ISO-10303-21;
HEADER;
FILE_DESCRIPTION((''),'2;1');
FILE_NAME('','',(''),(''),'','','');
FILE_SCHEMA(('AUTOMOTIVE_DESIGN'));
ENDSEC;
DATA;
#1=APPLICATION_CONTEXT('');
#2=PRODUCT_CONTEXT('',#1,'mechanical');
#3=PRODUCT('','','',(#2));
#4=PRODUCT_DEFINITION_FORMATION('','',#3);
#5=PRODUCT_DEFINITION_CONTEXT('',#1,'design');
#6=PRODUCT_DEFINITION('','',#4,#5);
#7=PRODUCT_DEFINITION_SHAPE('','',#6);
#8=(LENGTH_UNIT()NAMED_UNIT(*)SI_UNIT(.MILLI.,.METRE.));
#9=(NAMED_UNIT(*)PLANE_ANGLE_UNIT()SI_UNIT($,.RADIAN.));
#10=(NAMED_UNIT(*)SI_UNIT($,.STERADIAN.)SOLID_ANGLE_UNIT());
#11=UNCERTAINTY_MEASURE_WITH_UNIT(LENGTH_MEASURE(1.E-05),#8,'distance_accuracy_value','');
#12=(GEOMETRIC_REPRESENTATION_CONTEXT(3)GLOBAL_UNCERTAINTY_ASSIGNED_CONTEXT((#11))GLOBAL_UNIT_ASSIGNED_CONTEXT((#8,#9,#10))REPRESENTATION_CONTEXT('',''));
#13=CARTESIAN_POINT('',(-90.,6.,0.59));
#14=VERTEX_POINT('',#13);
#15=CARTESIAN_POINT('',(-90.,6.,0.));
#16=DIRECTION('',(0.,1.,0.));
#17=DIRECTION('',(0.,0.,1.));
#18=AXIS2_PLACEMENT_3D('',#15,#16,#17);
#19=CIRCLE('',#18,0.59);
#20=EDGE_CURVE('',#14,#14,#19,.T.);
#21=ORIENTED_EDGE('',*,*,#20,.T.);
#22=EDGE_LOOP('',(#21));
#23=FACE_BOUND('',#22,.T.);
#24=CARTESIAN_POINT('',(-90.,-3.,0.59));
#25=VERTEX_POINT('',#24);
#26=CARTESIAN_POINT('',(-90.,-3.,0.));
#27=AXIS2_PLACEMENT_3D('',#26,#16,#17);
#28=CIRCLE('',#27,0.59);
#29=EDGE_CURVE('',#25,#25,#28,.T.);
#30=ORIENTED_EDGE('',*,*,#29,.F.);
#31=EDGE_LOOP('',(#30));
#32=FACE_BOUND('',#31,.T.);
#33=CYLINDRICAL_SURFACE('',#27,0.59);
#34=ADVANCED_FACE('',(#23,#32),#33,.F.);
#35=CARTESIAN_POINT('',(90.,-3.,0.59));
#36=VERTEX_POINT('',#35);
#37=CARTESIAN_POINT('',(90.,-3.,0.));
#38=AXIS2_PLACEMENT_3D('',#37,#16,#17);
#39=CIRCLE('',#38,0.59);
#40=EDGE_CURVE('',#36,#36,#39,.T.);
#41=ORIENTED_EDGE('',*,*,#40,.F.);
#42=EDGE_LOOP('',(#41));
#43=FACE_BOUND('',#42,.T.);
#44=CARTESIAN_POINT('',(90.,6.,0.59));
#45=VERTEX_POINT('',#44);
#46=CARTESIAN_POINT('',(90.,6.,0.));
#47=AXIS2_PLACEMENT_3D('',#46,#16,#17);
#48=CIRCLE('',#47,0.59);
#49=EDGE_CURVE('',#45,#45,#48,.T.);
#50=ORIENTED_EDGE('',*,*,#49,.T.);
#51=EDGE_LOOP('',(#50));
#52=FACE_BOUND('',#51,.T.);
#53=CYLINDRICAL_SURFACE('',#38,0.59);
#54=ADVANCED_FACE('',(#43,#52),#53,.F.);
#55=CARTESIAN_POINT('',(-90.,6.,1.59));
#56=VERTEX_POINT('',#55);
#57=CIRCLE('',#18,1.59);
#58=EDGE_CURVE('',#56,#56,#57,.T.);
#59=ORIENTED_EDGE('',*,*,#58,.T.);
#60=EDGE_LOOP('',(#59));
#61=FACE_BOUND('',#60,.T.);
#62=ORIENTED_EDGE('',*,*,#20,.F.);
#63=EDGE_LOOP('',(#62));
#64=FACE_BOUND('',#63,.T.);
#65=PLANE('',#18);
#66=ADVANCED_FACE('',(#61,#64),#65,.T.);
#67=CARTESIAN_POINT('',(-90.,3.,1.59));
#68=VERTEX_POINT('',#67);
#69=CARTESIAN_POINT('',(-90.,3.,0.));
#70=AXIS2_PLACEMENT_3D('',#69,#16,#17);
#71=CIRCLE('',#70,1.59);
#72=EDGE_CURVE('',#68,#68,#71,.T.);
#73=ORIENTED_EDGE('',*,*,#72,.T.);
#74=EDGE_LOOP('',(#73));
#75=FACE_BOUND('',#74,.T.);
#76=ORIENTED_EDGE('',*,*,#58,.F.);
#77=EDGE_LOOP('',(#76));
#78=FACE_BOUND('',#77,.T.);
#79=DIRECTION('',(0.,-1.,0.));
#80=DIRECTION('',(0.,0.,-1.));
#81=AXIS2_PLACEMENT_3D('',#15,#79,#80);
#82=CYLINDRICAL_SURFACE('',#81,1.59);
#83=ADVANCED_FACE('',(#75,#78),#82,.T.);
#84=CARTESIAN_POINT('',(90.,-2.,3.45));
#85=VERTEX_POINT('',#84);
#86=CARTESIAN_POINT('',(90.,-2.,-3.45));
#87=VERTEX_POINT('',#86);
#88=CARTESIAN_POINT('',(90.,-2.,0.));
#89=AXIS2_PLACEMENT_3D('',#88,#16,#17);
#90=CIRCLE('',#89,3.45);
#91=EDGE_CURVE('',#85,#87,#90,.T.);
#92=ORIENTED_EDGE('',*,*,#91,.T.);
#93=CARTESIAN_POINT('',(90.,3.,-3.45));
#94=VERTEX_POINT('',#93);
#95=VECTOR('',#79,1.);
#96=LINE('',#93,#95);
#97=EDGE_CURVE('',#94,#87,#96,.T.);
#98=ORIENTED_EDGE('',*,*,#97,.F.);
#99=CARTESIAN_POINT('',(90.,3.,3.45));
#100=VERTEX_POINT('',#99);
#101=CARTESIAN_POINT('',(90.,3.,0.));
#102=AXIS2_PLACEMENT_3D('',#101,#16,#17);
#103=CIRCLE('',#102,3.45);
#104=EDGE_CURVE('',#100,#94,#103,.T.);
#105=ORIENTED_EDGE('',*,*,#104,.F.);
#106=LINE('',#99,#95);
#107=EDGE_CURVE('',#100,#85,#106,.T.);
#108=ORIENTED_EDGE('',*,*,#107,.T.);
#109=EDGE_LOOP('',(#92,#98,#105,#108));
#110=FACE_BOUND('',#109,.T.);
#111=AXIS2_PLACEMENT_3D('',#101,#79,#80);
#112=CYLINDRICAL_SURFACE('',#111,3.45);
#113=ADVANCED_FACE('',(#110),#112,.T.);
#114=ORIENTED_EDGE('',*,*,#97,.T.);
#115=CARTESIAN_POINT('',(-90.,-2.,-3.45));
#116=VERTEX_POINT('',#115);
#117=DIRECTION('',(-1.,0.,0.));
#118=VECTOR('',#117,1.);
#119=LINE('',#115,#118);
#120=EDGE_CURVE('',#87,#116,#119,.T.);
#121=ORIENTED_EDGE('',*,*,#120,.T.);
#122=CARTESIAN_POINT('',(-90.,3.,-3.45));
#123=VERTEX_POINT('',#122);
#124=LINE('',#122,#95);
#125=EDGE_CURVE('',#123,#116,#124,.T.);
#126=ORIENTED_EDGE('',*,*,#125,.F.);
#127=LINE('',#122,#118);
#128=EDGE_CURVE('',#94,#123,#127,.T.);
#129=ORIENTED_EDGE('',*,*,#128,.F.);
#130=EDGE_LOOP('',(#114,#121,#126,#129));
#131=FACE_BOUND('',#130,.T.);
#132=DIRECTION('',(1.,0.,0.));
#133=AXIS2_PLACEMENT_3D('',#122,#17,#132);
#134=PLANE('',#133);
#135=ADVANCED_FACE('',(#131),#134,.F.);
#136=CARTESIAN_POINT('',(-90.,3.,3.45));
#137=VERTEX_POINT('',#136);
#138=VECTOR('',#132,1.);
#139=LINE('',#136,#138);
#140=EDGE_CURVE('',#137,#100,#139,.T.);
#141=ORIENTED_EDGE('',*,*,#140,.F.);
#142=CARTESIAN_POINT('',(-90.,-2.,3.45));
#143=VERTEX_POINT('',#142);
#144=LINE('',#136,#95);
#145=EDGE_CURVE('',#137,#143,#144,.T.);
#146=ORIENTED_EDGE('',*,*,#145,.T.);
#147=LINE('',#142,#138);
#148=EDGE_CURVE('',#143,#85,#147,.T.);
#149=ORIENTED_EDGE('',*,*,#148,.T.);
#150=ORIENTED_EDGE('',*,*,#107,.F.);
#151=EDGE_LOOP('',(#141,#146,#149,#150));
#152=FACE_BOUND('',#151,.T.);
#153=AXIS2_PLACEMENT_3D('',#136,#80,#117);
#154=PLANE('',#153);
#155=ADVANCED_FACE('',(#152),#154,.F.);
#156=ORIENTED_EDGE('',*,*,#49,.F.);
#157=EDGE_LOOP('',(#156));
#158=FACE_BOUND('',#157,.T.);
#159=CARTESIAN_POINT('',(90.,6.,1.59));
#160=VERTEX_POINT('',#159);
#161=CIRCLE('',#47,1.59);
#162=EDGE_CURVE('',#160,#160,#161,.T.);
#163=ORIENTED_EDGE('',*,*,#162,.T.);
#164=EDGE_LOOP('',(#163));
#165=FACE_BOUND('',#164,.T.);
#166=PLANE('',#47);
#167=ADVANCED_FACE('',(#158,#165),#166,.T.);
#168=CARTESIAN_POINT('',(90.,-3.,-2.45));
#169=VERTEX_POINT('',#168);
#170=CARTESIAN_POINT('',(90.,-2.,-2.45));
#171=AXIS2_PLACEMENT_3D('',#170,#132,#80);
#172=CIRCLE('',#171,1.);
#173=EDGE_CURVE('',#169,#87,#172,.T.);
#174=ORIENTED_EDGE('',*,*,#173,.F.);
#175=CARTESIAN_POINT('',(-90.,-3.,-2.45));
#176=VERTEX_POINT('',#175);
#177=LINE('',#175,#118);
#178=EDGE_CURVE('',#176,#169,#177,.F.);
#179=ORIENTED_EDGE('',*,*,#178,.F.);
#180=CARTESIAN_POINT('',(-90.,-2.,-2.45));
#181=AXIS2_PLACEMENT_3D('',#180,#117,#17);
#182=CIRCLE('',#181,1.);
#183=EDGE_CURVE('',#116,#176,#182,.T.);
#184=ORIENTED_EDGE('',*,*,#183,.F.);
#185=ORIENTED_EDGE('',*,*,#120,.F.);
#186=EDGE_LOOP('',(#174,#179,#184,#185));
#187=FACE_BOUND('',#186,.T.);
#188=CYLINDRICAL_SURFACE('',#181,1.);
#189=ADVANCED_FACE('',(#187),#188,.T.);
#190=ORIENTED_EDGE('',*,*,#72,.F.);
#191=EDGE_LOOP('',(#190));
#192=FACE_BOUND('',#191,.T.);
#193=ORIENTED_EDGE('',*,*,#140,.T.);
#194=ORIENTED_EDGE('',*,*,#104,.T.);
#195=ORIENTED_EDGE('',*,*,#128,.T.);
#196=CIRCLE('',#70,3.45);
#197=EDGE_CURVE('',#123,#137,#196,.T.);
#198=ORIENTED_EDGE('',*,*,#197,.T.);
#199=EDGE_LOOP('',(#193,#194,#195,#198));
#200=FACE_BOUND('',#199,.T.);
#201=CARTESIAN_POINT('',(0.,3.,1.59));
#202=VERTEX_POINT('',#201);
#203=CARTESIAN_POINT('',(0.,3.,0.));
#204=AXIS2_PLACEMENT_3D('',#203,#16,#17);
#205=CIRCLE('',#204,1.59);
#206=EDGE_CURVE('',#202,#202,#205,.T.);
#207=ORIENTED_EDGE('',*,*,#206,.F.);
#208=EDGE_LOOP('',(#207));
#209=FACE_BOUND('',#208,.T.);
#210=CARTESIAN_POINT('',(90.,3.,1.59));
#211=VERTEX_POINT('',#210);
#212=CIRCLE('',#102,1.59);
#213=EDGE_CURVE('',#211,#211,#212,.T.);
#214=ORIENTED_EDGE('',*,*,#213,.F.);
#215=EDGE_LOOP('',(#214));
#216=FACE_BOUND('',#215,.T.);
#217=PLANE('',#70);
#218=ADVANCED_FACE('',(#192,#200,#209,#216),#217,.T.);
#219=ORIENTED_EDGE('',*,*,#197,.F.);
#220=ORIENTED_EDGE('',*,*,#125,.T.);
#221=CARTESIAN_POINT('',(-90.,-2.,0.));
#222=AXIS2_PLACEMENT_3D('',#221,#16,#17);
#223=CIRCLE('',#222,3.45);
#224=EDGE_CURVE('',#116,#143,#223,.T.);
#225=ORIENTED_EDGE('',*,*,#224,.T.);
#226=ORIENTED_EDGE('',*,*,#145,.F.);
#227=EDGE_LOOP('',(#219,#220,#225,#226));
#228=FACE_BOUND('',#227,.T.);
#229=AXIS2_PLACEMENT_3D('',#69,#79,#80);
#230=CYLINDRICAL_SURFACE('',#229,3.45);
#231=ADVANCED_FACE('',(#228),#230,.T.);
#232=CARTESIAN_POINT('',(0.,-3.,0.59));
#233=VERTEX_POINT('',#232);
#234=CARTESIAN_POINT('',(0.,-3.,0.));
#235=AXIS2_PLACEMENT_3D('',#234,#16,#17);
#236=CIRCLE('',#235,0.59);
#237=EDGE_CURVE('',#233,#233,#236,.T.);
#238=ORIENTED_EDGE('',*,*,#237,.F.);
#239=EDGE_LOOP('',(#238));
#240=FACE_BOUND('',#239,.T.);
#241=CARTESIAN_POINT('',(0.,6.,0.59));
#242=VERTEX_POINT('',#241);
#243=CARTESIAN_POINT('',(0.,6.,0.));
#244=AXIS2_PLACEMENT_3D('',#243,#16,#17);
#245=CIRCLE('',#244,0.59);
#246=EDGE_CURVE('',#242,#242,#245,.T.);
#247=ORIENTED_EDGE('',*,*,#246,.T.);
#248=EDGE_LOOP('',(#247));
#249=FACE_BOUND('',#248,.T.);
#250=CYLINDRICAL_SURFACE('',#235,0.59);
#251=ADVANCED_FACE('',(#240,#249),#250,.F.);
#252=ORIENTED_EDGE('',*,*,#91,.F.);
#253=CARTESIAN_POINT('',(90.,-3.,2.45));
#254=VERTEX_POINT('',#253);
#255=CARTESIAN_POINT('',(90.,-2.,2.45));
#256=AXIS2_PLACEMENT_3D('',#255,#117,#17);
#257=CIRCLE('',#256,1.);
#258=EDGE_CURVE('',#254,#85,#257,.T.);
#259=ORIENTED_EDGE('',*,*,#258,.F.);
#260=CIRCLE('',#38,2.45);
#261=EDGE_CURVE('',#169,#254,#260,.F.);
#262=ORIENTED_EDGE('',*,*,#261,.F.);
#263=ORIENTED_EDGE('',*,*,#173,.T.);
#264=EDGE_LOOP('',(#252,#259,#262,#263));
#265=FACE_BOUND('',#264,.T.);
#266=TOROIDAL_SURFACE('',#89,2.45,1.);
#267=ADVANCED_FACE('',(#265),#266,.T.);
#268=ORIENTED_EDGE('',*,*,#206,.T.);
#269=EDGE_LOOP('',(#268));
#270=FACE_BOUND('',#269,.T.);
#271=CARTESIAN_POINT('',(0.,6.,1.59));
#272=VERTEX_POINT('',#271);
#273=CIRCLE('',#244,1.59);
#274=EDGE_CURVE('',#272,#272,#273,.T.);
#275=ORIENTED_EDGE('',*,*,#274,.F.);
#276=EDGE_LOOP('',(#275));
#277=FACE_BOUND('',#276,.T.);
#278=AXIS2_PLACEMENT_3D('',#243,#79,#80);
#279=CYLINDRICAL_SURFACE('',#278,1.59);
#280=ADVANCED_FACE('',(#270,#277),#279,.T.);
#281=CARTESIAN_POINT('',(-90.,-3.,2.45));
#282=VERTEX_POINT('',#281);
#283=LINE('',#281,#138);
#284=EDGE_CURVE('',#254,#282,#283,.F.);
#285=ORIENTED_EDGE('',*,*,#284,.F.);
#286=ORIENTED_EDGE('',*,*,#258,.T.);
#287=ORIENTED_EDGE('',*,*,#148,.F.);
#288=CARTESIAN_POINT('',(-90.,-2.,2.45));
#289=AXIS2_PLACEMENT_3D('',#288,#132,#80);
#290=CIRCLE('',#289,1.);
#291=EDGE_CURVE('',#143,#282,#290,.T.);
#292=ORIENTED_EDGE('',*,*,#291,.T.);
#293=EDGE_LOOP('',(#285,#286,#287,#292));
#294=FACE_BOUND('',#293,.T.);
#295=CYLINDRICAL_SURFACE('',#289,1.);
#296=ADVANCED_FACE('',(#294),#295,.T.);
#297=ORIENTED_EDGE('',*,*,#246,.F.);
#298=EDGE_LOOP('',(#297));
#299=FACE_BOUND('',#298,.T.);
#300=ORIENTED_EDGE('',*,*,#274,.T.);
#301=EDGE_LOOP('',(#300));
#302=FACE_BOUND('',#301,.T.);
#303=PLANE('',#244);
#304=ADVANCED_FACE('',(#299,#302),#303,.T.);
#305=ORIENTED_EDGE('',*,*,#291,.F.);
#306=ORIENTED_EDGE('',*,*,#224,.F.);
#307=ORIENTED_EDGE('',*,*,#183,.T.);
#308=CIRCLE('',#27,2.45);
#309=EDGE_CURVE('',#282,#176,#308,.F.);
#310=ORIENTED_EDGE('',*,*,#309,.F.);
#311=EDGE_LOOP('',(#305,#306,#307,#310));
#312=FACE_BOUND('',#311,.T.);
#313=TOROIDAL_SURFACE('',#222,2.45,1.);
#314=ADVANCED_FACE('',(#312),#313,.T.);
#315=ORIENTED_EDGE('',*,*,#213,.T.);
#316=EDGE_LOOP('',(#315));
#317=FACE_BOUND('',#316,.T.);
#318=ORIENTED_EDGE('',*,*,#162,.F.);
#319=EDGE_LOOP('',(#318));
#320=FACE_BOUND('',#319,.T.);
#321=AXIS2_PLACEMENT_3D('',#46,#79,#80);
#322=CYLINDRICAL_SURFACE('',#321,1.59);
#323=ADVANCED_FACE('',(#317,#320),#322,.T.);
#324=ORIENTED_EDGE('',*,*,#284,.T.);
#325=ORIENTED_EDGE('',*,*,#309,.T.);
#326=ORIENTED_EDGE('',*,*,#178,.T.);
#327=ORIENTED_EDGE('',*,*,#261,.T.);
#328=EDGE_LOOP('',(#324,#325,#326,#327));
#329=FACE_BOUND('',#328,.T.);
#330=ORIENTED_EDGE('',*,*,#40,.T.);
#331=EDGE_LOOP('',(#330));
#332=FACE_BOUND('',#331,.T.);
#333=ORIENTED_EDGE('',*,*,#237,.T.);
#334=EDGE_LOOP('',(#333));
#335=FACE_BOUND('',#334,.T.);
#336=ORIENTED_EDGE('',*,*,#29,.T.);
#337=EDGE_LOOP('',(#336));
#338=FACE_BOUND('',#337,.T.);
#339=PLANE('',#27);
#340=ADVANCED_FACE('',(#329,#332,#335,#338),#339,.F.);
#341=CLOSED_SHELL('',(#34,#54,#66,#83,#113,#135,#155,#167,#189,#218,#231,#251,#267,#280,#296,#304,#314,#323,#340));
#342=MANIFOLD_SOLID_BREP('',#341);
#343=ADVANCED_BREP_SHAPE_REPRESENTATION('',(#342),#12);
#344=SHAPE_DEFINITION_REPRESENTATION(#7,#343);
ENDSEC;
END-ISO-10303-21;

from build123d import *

# Parameters (mm, degrees)
SALIENTE_EXTRUIR1_DEPTH = 3
CROQUIS3_R              = 1.59
SALIENTE_EXTRUIR2_DEPTH = 3
REDONDEO1_R             = 1
CROQUIS4_R              = 0.59
CORTAR_EXTRUIR1_DEPTH   = 94.945755625


with BuildPart() as part:
    # Croquis2 → Saliente-Extruir1 (new, symmetric)
    with BuildSketch(Plane(origin=(0, 0, 0), x_dir=(1, 0, 0), z_dir=(0, 1, 0))):
        with BuildLine():
            Line((-90, -3.45), (90, -3.45))
            ThreePointArc((90, -3.45), (93.45, 0), (90, 3.45))
            Line((90, 3.45), (-90, 3.45))
            ThreePointArc((-90, 3.45), (-93.45, 0), (-90, -3.45))
        make_face()
    extrude(amount=SALIENTE_EXTRUIR1_DEPTH, both=True)

    # Croquis3 → Saliente-Extruir2 (add)
    with BuildSketch(Plane(origin=(0, 3, 0), x_dir=(1, 0, 0), z_dir=(0, 1, 0))):
        with Locations(Location((-90, 0, 0), (0, 0, 270))):
            Circle(CROQUIS3_R)
        with Locations(Location((90, 0, 0), (0, 0, 270))):
            Circle(CROQUIS3_R)
        with Locations(Location((0, 0, 0), (0, 0, 270))):
            Circle(CROQUIS3_R)
    extrude(amount=SALIENTE_EXTRUIR2_DEPTH)

    # Redondeo1
    redondeo1_edges = [part.edges().sort_by_distance(p)[0] for p in [
        (0, -3, -3.45),
        (93.45, -3, 0),
        (0, -3, 3.45),
        (-93.45, -3, 0),
    ]]
    fillet(redondeo1_edges, radius=REDONDEO1_R)

    # Croquis4 → Cortar-Extruir1 (cut, through all)
    with BuildSketch(Plane(origin=(0, 6, 0), x_dir=(1, 0, 0), z_dir=(0, 1, 0))):
        with Locations(Location((90, 0, 0), (0, 0, 270))):
            Circle(CROQUIS4_R)
        with Locations(Location((-90, 0, 0), (0, 0, 270))):
            Circle(CROQUIS4_R)
        with Locations(Location((0, 0, 0), (0, 0, 270))):
            Circle(CROQUIS4_R)
    extrude(amount=-CORTAR_EXTRUIR1_DEPTH, mode=Mode.SUBTRACT)


solid = part.part
